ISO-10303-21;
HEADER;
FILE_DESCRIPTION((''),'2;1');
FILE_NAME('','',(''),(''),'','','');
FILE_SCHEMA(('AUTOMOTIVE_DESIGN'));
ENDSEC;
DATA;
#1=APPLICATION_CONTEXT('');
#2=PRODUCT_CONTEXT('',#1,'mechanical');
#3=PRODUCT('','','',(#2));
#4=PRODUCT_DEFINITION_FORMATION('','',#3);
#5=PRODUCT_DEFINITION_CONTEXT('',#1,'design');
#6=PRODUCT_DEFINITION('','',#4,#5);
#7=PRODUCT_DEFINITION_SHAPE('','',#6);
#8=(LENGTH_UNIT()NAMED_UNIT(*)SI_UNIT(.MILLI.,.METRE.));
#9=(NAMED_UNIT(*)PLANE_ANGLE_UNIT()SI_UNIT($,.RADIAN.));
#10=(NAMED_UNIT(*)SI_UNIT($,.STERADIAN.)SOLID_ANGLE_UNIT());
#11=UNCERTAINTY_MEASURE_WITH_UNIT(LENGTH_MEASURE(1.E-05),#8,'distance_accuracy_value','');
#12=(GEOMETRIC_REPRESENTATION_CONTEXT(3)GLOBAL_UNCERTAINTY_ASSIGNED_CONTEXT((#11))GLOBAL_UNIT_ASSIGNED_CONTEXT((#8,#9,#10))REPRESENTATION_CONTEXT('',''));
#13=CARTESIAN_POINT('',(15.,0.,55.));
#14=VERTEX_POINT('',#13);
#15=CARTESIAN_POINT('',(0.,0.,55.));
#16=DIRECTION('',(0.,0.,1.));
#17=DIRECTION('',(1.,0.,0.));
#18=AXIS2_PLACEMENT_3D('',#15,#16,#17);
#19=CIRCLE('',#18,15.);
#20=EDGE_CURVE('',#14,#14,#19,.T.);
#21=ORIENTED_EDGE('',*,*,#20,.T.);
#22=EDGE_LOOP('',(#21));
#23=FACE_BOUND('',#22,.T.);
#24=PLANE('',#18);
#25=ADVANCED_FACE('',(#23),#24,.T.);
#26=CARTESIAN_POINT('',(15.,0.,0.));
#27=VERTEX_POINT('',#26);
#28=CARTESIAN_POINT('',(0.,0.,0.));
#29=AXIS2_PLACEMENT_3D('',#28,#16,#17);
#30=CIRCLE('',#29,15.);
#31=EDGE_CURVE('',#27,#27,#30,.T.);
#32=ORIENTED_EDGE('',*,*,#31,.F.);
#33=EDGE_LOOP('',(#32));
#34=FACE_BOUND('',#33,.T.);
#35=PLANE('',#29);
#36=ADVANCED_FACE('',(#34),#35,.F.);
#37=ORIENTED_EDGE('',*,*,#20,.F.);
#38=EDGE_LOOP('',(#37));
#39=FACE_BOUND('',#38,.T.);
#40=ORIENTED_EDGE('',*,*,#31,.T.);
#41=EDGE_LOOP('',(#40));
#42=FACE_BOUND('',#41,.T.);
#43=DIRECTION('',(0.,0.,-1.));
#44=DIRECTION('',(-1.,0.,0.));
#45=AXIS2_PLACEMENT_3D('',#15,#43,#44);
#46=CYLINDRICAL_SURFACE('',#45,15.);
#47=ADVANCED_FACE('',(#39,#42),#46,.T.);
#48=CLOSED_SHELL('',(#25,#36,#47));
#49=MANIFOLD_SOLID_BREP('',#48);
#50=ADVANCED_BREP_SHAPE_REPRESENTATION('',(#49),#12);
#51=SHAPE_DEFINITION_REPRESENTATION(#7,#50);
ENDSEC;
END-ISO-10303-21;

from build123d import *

# Parameters (mm, degrees)
ESQUISSE2_R        = 15
BOSS_EXTRU_1_DEPTH = 55


with BuildPart() as part:
    # Esquisse2 → Boss.-Extru.1 (new body)
    with BuildSketch(Plane.XY):
        Circle(ESQUISSE2_R)
    extrude(amount=BOSS_EXTRU_1_DEPTH)


solid = part.part
